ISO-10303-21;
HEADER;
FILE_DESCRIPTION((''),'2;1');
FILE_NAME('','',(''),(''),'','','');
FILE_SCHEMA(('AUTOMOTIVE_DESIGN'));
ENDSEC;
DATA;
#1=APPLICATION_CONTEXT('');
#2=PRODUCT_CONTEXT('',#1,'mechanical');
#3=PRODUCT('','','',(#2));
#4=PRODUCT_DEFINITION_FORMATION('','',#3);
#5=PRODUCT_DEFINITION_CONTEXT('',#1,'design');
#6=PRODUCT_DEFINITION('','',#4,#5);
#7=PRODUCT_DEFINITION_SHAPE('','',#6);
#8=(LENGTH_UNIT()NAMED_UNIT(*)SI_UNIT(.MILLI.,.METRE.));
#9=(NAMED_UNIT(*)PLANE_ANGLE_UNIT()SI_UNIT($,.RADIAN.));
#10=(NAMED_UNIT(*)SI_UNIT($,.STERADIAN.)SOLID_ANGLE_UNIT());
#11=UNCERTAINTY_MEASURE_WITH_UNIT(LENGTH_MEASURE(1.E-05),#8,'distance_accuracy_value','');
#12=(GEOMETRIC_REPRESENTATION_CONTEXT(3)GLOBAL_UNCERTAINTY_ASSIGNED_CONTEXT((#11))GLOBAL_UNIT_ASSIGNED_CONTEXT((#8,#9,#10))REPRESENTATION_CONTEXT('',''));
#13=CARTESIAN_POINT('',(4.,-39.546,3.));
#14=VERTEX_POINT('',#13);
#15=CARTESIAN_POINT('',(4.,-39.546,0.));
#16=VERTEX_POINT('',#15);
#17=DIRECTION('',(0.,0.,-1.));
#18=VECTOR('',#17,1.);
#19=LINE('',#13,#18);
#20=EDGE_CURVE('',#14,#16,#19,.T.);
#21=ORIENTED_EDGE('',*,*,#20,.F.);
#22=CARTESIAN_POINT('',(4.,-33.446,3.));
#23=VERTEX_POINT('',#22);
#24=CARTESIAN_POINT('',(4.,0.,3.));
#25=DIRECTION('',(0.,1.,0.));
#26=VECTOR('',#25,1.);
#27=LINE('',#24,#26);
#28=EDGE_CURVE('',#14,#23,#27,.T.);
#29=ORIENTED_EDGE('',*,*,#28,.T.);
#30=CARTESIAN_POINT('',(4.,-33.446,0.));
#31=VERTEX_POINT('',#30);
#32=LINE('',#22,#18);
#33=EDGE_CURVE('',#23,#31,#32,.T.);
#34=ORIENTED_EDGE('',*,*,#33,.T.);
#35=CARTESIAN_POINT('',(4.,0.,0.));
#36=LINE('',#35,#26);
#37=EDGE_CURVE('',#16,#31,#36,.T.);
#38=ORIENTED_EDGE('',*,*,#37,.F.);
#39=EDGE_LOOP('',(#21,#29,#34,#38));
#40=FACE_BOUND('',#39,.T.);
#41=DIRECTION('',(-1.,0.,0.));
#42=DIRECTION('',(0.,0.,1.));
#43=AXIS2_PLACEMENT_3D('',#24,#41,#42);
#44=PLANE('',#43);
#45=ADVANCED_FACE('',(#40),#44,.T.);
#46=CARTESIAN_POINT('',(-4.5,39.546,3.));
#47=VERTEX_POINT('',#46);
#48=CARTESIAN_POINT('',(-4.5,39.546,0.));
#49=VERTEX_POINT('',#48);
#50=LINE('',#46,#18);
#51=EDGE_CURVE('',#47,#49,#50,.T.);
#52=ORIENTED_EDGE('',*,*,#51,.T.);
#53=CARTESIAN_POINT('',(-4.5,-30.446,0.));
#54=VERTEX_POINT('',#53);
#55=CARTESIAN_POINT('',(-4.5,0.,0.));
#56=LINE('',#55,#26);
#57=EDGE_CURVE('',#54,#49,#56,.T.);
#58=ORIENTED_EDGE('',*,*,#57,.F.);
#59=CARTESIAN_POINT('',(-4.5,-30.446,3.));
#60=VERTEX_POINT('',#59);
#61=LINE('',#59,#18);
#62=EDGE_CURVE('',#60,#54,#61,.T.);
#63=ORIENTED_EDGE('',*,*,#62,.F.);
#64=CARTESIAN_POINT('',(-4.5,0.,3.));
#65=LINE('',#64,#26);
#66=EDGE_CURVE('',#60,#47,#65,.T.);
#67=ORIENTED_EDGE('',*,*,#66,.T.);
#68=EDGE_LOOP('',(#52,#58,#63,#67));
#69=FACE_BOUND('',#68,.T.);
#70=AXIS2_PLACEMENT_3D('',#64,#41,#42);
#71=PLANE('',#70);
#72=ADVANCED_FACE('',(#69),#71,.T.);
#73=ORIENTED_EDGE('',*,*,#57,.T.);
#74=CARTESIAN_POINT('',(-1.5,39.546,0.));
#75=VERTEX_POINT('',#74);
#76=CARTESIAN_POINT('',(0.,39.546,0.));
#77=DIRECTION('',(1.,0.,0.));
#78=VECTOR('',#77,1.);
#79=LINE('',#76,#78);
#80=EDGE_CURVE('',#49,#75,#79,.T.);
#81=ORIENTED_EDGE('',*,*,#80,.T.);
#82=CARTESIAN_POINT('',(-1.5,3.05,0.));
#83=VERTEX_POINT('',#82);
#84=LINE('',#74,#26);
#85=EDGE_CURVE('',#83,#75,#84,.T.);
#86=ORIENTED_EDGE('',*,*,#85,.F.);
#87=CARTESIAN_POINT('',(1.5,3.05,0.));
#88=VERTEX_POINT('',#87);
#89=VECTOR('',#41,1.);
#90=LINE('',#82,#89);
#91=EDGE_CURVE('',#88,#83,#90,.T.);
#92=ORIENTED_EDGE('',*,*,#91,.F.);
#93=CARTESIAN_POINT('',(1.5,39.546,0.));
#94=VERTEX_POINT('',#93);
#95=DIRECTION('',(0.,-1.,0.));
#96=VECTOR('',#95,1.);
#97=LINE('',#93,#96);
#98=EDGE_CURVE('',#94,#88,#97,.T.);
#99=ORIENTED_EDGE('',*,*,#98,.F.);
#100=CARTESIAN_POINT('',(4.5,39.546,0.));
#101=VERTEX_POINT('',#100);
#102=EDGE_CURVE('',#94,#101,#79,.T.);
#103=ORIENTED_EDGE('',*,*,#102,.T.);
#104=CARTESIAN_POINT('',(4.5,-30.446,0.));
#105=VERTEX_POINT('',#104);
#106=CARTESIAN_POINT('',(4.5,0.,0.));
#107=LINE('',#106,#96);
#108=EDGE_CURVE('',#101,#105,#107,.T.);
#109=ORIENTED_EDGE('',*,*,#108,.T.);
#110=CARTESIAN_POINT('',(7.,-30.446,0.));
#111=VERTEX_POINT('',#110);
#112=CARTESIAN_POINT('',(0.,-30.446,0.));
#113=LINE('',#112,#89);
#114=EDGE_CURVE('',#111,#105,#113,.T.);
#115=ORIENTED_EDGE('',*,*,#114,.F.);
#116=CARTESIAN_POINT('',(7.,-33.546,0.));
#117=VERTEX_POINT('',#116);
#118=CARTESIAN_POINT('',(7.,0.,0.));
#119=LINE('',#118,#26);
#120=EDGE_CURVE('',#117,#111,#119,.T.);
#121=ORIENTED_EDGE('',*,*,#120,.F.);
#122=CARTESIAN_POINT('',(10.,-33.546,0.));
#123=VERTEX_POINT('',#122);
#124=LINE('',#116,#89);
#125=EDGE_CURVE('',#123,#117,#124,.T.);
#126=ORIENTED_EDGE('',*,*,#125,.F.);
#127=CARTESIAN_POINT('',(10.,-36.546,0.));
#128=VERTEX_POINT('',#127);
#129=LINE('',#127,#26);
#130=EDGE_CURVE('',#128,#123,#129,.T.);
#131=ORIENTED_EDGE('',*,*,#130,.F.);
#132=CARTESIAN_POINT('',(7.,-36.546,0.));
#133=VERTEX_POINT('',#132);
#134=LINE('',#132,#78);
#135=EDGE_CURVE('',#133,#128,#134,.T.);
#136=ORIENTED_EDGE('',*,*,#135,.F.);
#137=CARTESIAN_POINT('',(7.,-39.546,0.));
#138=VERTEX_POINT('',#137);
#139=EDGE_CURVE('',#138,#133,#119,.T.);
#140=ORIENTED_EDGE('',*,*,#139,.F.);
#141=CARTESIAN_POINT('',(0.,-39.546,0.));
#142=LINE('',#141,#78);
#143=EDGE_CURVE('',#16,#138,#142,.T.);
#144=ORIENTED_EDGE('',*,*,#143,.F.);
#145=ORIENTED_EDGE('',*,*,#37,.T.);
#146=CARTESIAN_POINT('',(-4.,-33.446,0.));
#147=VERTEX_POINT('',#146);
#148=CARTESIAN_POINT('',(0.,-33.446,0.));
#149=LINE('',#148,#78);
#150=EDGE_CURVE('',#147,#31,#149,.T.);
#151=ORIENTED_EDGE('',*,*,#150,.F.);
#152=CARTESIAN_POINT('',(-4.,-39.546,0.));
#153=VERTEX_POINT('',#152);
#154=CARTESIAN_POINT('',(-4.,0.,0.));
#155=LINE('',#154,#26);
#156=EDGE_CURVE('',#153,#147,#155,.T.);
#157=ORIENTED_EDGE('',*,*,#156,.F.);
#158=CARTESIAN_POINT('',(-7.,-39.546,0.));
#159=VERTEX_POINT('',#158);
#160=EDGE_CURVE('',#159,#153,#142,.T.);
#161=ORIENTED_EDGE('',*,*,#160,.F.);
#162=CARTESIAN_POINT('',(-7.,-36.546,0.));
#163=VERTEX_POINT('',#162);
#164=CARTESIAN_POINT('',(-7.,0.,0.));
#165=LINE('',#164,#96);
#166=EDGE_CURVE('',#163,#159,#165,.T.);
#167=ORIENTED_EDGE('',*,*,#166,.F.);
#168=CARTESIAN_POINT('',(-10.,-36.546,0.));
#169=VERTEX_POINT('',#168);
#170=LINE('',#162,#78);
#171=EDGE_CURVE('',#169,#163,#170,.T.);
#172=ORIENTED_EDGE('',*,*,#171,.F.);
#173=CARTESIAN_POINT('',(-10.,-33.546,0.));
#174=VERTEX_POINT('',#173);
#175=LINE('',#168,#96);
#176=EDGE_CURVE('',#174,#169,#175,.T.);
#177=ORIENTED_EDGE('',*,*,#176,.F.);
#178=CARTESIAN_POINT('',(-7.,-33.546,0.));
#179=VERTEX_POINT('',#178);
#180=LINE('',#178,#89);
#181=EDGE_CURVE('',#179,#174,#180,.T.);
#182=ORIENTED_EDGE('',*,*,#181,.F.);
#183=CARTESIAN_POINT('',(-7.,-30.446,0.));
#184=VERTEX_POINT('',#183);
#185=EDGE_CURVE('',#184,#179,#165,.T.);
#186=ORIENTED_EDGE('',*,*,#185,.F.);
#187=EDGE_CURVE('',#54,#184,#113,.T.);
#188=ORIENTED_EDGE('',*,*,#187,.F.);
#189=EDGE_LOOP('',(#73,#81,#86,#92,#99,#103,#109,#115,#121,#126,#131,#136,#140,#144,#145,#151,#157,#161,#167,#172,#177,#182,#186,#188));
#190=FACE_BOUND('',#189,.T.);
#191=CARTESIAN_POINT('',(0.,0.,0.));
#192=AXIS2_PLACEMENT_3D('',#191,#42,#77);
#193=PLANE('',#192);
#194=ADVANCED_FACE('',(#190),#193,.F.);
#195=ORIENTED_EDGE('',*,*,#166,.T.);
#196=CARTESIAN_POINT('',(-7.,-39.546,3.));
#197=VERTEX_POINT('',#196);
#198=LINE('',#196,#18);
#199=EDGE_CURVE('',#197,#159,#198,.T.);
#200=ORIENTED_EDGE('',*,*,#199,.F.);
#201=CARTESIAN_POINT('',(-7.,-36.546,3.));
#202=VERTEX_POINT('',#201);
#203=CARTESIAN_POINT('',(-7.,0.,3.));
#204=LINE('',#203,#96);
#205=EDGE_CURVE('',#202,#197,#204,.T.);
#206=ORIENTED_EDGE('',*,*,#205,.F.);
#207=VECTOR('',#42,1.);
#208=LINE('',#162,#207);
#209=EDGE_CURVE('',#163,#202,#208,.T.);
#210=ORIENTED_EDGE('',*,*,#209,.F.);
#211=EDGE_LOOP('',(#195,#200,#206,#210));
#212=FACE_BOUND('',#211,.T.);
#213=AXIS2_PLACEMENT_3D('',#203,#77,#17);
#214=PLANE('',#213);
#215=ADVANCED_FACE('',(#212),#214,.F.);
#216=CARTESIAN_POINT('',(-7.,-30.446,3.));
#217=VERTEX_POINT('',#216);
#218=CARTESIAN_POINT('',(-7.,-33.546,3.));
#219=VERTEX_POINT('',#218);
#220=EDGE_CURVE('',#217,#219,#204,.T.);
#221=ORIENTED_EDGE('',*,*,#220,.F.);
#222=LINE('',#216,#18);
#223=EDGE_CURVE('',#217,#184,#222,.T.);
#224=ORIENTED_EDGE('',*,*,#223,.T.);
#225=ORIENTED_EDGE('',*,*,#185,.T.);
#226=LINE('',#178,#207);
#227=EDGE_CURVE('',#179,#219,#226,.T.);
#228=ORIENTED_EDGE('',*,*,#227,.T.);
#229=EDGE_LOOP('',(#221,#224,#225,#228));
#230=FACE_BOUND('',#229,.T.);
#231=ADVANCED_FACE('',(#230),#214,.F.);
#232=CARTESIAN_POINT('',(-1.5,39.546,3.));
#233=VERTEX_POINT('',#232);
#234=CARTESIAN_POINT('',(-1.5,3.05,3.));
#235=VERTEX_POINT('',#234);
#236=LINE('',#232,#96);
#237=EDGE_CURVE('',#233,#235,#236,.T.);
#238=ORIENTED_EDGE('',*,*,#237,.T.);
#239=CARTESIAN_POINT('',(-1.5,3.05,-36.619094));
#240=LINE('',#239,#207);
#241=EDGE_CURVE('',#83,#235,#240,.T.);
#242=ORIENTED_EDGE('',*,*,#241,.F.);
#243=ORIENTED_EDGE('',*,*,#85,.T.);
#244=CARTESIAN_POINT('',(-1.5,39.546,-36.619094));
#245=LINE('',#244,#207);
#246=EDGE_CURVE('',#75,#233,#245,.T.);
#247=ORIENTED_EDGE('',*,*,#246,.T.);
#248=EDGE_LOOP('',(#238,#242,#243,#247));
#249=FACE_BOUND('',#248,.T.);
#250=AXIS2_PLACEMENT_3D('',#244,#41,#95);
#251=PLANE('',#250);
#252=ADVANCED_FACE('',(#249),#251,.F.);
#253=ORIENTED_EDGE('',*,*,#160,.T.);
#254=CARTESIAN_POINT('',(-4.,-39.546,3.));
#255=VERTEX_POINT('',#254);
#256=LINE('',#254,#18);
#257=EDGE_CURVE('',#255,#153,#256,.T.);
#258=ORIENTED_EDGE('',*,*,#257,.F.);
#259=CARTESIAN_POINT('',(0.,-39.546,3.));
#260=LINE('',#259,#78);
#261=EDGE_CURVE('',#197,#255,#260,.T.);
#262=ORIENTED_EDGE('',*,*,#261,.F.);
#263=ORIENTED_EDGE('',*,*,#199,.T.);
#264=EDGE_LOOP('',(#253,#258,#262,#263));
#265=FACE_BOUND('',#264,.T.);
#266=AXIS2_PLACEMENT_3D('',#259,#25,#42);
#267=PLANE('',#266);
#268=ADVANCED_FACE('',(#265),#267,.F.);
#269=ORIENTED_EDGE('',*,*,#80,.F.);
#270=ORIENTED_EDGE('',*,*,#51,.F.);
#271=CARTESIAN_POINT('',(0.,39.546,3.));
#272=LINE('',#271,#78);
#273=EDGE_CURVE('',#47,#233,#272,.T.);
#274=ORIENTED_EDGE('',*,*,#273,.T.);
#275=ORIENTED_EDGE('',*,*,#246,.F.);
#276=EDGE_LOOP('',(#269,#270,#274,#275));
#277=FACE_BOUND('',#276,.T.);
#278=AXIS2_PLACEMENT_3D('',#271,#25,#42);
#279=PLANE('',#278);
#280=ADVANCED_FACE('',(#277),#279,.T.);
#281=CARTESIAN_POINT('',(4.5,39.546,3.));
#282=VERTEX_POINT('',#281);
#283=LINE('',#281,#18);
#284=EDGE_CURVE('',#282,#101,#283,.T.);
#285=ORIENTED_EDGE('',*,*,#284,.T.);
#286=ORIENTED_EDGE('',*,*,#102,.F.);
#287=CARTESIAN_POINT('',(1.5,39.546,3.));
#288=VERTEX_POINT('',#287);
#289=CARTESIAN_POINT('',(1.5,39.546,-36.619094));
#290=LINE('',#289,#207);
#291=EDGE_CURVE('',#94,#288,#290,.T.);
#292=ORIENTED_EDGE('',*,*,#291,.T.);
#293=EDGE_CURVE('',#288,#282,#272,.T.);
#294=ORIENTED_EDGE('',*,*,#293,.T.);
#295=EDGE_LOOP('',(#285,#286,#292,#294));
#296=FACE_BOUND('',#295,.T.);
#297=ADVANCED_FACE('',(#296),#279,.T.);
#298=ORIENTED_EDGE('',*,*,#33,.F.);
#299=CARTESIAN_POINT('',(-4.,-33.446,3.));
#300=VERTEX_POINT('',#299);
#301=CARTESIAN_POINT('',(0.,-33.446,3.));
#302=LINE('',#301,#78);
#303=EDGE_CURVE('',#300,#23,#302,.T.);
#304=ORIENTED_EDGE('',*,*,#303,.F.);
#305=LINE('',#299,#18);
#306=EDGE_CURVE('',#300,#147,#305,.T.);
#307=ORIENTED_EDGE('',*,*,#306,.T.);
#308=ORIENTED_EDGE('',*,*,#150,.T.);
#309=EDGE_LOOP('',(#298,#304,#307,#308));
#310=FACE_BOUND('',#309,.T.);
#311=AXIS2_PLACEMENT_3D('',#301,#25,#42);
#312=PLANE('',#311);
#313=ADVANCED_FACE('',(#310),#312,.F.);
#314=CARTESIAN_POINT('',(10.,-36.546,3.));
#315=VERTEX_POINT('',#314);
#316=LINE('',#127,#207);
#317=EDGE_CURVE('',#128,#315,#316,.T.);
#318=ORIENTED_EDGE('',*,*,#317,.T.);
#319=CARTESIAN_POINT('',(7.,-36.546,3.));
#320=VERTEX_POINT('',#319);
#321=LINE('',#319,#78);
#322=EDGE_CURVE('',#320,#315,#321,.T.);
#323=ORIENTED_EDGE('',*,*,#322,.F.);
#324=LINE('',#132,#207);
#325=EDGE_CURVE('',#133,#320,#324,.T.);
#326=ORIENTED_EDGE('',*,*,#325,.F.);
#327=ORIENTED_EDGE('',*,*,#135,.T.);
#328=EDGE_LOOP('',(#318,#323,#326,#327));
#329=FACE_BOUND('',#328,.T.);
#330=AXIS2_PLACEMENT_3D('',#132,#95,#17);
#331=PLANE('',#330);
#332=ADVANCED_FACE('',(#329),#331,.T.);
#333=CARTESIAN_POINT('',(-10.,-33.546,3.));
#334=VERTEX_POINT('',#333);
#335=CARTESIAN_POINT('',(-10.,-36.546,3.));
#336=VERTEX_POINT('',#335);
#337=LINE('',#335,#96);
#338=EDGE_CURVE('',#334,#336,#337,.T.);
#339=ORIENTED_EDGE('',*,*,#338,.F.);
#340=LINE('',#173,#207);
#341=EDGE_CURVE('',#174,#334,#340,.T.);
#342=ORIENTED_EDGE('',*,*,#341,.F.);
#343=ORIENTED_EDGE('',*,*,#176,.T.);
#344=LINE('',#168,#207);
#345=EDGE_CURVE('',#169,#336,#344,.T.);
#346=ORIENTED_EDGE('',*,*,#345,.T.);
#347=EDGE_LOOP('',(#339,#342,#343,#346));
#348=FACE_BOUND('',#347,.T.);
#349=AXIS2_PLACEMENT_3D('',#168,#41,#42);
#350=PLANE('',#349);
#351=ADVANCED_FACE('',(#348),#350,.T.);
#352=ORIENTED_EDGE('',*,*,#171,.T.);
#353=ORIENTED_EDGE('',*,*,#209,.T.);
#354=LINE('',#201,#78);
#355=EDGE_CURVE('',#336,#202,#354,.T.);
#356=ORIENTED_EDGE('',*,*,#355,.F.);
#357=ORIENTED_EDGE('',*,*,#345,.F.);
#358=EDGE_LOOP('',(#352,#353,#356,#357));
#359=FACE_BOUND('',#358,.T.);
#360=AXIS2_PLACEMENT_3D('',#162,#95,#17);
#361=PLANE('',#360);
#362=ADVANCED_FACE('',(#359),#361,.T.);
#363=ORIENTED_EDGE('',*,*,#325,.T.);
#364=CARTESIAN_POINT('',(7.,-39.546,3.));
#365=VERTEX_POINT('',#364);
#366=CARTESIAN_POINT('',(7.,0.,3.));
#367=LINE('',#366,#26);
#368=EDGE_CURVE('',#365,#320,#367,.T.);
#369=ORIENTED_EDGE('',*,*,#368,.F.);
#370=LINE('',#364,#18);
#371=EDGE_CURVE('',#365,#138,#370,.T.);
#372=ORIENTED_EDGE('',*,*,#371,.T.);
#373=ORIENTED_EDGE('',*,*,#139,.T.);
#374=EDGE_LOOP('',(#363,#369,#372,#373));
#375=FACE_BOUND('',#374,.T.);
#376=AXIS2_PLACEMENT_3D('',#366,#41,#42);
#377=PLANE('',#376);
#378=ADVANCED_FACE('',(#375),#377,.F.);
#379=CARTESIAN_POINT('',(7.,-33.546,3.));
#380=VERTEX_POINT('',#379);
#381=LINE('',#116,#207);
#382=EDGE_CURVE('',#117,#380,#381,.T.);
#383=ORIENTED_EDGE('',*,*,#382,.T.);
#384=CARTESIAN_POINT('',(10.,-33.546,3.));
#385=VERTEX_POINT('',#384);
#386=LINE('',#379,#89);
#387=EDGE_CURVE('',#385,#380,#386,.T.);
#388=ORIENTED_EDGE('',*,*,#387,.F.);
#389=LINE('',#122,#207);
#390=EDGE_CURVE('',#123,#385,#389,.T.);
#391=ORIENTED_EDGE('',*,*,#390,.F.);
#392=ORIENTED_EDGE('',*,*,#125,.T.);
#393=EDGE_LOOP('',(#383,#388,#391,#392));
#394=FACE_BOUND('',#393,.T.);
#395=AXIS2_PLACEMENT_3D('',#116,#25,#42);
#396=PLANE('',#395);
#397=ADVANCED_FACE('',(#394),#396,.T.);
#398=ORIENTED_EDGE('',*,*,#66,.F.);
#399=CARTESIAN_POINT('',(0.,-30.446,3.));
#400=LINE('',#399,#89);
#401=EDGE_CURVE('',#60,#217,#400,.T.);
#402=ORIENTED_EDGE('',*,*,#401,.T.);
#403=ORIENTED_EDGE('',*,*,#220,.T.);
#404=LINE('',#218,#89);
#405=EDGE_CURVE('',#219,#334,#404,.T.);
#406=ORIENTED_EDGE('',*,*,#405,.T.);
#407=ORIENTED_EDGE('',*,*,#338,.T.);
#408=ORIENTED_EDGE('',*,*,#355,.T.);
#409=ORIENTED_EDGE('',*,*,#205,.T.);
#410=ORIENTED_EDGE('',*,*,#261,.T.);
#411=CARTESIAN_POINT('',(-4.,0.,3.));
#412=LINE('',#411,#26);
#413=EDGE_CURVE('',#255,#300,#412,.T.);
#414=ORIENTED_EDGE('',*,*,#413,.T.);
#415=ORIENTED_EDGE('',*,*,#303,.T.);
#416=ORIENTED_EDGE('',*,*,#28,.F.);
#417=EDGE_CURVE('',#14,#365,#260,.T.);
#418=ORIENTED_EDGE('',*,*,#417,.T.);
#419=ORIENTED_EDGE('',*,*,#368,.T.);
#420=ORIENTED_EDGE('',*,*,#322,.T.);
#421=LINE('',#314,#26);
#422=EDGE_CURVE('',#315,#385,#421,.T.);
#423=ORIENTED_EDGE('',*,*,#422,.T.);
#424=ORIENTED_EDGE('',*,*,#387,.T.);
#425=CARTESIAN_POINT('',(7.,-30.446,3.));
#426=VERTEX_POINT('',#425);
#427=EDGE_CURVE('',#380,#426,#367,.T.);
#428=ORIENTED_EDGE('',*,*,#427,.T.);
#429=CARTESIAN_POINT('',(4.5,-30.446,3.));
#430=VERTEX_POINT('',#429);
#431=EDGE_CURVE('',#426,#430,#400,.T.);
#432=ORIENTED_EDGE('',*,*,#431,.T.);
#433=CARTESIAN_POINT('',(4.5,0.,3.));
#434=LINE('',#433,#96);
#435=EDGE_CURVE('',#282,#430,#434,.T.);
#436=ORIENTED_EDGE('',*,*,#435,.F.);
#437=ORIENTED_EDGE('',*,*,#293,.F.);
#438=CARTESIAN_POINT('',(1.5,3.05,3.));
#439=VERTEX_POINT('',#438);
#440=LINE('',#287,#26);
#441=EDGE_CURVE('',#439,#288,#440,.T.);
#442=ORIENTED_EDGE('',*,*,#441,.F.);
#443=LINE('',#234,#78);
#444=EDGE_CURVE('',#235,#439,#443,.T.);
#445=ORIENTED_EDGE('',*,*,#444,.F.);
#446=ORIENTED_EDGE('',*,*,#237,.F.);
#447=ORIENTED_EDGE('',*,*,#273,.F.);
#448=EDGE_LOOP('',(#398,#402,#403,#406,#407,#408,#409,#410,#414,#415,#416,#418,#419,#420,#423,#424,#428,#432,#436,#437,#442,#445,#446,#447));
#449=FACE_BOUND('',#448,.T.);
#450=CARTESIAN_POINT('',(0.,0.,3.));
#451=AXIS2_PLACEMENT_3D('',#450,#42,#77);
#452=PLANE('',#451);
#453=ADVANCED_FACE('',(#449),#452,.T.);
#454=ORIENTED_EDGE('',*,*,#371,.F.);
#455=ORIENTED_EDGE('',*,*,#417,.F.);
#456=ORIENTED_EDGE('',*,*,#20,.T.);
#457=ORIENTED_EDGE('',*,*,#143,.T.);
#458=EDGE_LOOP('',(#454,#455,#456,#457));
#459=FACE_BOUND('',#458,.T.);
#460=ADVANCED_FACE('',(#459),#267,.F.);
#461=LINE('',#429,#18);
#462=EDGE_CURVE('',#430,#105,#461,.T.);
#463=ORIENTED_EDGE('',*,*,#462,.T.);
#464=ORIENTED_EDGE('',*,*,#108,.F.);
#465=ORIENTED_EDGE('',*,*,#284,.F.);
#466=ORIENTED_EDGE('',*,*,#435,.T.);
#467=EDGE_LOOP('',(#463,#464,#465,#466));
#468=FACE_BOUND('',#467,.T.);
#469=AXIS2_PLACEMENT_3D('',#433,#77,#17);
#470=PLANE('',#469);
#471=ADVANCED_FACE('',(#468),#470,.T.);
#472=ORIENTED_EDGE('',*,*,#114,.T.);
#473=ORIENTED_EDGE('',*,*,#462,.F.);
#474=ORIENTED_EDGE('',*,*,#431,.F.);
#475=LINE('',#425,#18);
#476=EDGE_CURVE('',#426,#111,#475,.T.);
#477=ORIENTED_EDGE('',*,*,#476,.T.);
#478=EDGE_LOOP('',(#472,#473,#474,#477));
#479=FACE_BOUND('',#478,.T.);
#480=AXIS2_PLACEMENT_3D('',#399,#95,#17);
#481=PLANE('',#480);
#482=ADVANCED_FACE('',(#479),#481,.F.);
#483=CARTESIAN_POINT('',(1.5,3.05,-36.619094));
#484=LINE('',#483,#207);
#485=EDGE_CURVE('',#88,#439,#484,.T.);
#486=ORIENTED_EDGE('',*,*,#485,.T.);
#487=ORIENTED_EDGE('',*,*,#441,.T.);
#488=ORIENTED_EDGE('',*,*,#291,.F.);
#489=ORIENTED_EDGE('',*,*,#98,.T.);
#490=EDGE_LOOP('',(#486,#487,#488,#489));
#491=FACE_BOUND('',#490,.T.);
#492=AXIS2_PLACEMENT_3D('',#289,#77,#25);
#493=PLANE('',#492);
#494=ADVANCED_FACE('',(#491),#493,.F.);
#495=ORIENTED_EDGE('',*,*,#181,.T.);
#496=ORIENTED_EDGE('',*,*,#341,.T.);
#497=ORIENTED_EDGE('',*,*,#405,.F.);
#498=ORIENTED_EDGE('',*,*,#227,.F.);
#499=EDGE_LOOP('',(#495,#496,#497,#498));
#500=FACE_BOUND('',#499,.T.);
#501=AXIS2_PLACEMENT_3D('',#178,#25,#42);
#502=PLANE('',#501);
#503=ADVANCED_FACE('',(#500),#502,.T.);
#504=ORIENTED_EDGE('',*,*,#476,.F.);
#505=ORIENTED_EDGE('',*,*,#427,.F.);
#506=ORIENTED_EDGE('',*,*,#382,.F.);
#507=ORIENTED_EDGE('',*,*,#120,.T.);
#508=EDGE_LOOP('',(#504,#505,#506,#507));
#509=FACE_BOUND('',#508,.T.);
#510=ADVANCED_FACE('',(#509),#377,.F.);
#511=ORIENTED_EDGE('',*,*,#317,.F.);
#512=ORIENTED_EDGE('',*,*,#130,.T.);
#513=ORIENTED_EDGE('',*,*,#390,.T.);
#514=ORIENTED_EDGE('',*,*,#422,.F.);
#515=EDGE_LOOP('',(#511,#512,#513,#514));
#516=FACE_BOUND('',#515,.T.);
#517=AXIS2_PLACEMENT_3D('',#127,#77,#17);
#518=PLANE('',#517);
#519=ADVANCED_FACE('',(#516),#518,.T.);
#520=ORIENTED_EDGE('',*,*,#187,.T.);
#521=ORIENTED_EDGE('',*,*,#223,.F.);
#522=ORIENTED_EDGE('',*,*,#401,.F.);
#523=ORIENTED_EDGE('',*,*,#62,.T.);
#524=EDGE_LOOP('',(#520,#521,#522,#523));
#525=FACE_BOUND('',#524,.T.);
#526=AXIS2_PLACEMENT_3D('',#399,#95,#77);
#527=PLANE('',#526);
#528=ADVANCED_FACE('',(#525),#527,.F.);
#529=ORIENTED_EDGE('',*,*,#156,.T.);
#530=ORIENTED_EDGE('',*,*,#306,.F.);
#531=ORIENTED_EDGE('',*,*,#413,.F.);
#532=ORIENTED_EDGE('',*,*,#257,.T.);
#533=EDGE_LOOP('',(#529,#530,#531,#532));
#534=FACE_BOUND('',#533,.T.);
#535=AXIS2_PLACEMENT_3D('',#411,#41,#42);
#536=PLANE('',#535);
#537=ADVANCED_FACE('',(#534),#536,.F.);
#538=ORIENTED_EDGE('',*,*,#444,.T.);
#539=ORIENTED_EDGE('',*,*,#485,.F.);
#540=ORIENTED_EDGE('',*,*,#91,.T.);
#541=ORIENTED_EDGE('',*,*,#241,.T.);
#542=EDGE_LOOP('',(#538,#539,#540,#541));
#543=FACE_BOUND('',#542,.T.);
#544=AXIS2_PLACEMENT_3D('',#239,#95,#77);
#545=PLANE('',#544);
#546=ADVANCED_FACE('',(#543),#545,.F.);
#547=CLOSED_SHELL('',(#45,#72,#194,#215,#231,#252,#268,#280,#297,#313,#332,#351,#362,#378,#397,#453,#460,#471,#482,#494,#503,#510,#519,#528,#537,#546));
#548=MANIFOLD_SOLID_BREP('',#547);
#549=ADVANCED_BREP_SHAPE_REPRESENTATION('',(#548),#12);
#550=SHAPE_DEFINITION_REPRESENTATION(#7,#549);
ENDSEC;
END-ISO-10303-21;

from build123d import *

# Parameters (mm, degrees)
EXTRUDE_1_DEPTH     = 3
SKETCH_2_W          = 3
SKETCH_2_H          = 36.495999937
CUT_EXTRUDE_1_DEPTH = 3
SKETCH_3_W          = 3
SKETCH_3_H          = 3
EXTRUDE_2_DEPTH     = 3


with BuildPart() as part:
    # 스케치1 → 보스-돌출1 (new body)
    with BuildSketch(Plane.XY):
        Polygon((-4.5, 39.545999937), (4.5, 39.545999937), (4.5, -30.445999937), (7, -30.445999937), (7, -39.545999937), (4, -39.545999937), (4, -33.445999937), (-4, -33.445999937), (-4, -39.545999937), (-7, -39.545999937), (-7, -30.445999937), (-4.5, -30.445999937), align=None)
    extrude(amount=EXTRUDE_1_DEPTH)

    # 스케치2 → 컷-돌출1 (cut)
    with BuildSketch(Plane.XY.offset(3)):
        with Locations((0, 21.297999969)):
            Rectangle(SKETCH_2_W, SKETCH_2_H)
    extrude(amount=-CUT_EXTRUDE_1_DEPTH, mode=Mode.SUBTRACT)

    # 스케치3 → 보스-돌출2 (add)
    with BuildSketch(Plane.XY.offset(3)):
        with Locations((-8.5, -35.045999937)):
            Rectangle(SKETCH_3_W, SKETCH_3_H)
        with Locations((8.5, -35.045999937)):
            Rectangle(SKETCH_3_W, SKETCH_3_H)
    extrude(amount=-EXTRUDE_2_DEPTH)


solid = part.part
